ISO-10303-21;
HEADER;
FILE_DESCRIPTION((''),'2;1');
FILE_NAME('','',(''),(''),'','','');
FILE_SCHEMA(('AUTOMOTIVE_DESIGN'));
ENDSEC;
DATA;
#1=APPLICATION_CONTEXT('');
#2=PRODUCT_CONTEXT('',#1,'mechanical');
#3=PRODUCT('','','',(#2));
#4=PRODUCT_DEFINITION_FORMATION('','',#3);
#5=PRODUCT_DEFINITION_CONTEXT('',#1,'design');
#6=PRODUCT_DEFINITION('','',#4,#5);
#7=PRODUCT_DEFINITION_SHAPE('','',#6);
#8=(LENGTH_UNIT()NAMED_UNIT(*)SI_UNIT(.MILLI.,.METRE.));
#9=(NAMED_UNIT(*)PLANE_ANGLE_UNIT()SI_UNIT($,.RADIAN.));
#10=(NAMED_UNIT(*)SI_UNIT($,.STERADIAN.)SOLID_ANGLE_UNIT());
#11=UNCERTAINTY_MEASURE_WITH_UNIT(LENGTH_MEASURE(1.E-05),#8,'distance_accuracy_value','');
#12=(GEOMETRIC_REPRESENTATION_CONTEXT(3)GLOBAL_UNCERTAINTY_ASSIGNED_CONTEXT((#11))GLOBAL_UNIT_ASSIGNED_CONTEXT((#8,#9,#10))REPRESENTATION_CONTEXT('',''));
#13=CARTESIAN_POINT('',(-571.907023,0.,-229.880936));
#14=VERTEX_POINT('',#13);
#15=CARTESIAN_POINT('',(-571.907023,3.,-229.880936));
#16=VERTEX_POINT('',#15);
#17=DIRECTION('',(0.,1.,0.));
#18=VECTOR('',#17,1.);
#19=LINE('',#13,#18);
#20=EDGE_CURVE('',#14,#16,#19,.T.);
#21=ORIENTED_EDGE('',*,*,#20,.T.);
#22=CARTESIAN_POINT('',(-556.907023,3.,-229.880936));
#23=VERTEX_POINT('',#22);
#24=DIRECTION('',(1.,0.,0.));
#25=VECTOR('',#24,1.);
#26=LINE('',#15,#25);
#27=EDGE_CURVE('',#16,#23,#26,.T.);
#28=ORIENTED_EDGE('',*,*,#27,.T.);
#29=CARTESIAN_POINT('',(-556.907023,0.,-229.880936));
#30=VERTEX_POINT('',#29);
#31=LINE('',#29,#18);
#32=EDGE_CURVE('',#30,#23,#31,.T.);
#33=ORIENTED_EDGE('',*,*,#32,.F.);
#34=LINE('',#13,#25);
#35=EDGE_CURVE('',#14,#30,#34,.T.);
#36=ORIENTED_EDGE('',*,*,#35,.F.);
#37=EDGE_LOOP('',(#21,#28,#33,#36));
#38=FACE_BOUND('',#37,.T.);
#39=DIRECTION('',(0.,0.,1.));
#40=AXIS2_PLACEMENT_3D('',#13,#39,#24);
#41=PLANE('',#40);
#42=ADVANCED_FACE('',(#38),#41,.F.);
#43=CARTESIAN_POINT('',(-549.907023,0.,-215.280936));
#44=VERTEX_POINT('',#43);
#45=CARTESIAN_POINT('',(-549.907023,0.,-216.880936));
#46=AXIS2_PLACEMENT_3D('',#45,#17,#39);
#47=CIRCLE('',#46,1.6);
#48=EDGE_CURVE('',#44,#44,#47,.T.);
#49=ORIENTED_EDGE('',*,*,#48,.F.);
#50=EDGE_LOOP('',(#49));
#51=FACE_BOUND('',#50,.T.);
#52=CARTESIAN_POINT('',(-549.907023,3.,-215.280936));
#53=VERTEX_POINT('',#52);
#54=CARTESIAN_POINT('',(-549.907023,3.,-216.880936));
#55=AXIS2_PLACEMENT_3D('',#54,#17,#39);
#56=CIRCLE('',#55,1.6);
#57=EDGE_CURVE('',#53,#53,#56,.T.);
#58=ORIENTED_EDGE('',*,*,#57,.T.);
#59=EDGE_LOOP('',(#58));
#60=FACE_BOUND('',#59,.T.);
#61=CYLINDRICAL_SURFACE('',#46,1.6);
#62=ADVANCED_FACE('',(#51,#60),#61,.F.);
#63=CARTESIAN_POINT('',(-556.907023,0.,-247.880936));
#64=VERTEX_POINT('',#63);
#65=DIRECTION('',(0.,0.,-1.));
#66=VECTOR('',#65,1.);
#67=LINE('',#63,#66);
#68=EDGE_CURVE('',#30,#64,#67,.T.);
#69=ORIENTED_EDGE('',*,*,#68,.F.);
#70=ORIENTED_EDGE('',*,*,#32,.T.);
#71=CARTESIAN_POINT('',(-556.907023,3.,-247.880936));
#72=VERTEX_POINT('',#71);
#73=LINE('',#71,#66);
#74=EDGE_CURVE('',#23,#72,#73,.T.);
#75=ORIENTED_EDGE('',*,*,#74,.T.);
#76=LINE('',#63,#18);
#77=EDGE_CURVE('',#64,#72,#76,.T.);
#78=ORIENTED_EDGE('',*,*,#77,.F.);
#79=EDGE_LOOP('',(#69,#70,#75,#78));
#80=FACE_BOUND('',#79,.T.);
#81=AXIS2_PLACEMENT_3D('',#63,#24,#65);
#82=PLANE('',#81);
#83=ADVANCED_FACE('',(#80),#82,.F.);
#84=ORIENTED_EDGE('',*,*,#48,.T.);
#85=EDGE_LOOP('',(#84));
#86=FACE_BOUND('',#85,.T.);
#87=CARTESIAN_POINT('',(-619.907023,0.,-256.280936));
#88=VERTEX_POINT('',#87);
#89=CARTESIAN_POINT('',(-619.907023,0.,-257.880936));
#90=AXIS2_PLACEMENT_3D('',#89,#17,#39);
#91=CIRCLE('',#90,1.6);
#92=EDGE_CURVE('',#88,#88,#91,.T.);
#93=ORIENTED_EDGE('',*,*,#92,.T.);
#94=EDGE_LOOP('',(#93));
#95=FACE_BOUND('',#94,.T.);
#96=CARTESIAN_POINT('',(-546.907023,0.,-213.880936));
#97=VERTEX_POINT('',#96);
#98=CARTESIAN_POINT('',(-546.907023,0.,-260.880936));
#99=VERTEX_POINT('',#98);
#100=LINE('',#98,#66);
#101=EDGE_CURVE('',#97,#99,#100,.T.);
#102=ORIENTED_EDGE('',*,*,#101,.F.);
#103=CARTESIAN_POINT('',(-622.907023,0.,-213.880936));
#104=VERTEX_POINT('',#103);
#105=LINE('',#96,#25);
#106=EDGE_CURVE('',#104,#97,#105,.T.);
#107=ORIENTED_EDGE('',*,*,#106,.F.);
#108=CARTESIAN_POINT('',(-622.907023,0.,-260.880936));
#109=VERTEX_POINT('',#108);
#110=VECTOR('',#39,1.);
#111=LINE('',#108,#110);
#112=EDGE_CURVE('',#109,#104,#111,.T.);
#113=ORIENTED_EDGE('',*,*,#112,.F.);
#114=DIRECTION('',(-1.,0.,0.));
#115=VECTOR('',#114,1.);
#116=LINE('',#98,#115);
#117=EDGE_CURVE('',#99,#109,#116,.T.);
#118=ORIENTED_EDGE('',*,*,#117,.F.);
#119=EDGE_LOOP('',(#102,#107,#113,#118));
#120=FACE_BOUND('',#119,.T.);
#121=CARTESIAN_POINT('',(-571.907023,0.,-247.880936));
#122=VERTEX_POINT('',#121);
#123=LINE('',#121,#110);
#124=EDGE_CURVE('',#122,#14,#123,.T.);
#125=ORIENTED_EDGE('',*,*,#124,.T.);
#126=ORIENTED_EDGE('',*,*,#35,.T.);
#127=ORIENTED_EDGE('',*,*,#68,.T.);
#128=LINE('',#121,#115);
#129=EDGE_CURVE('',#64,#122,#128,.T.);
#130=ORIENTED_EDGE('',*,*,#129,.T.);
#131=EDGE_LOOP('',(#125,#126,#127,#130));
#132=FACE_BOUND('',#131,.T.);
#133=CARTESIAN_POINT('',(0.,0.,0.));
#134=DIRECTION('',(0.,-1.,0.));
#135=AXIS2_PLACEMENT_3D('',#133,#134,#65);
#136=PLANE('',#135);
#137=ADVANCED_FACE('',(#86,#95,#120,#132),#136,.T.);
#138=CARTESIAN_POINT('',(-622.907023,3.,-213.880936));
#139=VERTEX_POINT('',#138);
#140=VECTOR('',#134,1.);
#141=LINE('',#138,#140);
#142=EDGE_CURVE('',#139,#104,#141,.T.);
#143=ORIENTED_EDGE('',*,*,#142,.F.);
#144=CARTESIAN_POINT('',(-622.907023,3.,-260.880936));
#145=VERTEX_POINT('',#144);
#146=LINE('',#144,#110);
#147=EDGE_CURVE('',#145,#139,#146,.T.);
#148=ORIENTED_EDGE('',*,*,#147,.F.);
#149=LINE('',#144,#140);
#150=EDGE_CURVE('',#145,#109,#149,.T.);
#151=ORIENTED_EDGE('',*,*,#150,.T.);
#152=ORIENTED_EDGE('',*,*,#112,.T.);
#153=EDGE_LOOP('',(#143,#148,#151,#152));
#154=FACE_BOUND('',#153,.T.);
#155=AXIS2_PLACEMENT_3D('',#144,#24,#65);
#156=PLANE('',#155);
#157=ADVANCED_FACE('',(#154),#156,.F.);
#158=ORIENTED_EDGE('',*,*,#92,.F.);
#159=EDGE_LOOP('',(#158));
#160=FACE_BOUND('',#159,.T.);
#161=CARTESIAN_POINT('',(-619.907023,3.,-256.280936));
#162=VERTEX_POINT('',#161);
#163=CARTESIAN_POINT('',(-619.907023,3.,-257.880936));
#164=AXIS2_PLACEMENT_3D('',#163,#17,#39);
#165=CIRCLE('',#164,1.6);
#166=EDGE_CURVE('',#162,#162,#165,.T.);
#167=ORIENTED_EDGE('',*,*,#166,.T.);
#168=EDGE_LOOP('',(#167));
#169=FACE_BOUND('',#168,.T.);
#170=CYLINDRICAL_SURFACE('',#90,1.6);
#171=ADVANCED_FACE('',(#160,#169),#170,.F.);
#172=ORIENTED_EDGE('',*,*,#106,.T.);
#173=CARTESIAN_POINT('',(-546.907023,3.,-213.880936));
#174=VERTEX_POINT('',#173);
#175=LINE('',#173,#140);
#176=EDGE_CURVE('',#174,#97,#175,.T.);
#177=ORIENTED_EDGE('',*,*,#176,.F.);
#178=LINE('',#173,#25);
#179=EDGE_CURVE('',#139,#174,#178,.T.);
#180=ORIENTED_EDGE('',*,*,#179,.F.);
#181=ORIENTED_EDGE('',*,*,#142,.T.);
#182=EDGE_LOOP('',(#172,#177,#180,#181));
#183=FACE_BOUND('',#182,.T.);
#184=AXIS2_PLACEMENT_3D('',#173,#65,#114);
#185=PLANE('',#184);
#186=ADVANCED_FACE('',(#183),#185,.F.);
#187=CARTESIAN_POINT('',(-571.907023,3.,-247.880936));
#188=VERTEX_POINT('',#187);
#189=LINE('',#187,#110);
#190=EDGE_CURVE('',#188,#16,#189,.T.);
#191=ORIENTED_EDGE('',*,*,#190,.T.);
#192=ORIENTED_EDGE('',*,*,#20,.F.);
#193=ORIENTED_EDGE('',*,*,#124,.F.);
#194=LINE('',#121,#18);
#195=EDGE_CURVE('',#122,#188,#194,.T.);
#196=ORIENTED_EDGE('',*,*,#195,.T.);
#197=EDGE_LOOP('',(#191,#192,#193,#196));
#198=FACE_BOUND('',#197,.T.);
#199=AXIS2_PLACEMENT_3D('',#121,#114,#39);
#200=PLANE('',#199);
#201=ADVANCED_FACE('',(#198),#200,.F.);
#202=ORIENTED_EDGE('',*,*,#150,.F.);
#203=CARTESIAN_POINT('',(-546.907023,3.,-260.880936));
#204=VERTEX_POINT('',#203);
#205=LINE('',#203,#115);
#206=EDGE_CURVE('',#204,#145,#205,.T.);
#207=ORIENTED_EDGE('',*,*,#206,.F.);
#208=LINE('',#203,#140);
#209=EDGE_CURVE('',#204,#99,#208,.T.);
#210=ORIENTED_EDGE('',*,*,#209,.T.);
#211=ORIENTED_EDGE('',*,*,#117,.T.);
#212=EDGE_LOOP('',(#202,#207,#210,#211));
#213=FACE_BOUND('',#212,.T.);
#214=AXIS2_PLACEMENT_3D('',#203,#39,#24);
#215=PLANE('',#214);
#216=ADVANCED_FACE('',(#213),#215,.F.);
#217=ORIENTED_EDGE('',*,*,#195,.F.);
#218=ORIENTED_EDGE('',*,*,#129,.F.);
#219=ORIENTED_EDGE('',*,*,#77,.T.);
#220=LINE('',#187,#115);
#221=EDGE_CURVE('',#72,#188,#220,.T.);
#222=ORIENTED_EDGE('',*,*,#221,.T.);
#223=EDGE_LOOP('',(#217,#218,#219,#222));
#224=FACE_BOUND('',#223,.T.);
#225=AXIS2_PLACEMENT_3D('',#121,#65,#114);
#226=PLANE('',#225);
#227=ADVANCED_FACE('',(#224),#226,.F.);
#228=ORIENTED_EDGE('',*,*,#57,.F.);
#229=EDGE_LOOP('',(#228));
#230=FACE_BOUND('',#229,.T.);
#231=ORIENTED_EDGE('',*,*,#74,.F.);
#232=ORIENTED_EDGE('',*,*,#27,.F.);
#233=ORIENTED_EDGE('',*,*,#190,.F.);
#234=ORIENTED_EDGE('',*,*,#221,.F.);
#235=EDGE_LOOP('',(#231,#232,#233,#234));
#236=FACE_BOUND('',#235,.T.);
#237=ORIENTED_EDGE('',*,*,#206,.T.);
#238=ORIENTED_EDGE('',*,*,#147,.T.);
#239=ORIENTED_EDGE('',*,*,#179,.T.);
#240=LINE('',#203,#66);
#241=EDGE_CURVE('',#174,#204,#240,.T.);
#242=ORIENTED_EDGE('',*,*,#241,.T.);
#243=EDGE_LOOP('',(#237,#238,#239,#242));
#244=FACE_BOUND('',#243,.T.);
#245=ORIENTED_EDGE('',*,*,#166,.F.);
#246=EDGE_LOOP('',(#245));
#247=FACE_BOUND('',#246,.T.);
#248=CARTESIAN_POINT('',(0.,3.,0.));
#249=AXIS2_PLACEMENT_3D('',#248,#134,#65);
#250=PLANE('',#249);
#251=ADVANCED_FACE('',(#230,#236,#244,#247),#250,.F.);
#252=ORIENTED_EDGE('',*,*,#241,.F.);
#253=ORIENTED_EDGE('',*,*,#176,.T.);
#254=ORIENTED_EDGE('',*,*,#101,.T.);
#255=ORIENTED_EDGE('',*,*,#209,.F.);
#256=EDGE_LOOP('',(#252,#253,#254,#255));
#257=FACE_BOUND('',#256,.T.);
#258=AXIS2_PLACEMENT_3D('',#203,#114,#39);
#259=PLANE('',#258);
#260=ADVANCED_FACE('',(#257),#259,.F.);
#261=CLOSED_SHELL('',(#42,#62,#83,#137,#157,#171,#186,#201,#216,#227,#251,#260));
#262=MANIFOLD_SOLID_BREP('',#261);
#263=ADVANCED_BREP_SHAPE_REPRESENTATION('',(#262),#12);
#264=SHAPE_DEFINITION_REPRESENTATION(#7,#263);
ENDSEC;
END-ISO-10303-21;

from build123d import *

# Parameters (mm, degrees)
SKETCH1_W           = 76
SKETCH1_H           = 47
BOSS_EXTRUDE2_DEPTH = 3
SKETCH2_R           = 1.6
CUT_EXTRUDE1_DEPTH  = 3
SKETCH3_W           = 15
SKETCH3_H           = 18
CUT_EXTRUDE3_DEPTH  = 3


with BuildPart() as part:
    # Sketch1 → Boss-Extrude2 (new body)
    with BuildSketch(Plane(origin=(0, 0, 0), x_dir=(1, 0, 0), z_dir=(0, 1, 0))):
        with Locations((-584.907023411, 237.380936455)):
            Rectangle(SKETCH1_W, SKETCH1_H)
    extrude(amount=BOSS_EXTRUDE2_DEPTH)

    # Sketch2 → Cut-Extrude1 (cut)
    with BuildSketch(Plane(origin=(0, 3, 0), x_dir=(1, 0, 0), z_dir=(0, 1, 0))):
        with Locations((-619.907023411, 257.880936455)):
            Circle(SKETCH2_R)
        with Locations((-549.907023411, 216.880936455)):
            Circle(SKETCH2_R)
    extrude(amount=-CUT_EXTRUDE1_DEPTH, mode=Mode.SUBTRACT)

    # Sketch3 → Cut-Extrude3 (cut)
    with BuildSketch(Plane(origin=(0, 3, 0), x_dir=(1, 0, 0), z_dir=(0, 1, 0))):
        with Locations((-564.407023411, 238.880936455)):
            Rectangle(SKETCH3_W, SKETCH3_H)
    extrude(amount=-CUT_EXTRUDE3_DEPTH, mode=Mode.SUBTRACT)


solid = part.part
